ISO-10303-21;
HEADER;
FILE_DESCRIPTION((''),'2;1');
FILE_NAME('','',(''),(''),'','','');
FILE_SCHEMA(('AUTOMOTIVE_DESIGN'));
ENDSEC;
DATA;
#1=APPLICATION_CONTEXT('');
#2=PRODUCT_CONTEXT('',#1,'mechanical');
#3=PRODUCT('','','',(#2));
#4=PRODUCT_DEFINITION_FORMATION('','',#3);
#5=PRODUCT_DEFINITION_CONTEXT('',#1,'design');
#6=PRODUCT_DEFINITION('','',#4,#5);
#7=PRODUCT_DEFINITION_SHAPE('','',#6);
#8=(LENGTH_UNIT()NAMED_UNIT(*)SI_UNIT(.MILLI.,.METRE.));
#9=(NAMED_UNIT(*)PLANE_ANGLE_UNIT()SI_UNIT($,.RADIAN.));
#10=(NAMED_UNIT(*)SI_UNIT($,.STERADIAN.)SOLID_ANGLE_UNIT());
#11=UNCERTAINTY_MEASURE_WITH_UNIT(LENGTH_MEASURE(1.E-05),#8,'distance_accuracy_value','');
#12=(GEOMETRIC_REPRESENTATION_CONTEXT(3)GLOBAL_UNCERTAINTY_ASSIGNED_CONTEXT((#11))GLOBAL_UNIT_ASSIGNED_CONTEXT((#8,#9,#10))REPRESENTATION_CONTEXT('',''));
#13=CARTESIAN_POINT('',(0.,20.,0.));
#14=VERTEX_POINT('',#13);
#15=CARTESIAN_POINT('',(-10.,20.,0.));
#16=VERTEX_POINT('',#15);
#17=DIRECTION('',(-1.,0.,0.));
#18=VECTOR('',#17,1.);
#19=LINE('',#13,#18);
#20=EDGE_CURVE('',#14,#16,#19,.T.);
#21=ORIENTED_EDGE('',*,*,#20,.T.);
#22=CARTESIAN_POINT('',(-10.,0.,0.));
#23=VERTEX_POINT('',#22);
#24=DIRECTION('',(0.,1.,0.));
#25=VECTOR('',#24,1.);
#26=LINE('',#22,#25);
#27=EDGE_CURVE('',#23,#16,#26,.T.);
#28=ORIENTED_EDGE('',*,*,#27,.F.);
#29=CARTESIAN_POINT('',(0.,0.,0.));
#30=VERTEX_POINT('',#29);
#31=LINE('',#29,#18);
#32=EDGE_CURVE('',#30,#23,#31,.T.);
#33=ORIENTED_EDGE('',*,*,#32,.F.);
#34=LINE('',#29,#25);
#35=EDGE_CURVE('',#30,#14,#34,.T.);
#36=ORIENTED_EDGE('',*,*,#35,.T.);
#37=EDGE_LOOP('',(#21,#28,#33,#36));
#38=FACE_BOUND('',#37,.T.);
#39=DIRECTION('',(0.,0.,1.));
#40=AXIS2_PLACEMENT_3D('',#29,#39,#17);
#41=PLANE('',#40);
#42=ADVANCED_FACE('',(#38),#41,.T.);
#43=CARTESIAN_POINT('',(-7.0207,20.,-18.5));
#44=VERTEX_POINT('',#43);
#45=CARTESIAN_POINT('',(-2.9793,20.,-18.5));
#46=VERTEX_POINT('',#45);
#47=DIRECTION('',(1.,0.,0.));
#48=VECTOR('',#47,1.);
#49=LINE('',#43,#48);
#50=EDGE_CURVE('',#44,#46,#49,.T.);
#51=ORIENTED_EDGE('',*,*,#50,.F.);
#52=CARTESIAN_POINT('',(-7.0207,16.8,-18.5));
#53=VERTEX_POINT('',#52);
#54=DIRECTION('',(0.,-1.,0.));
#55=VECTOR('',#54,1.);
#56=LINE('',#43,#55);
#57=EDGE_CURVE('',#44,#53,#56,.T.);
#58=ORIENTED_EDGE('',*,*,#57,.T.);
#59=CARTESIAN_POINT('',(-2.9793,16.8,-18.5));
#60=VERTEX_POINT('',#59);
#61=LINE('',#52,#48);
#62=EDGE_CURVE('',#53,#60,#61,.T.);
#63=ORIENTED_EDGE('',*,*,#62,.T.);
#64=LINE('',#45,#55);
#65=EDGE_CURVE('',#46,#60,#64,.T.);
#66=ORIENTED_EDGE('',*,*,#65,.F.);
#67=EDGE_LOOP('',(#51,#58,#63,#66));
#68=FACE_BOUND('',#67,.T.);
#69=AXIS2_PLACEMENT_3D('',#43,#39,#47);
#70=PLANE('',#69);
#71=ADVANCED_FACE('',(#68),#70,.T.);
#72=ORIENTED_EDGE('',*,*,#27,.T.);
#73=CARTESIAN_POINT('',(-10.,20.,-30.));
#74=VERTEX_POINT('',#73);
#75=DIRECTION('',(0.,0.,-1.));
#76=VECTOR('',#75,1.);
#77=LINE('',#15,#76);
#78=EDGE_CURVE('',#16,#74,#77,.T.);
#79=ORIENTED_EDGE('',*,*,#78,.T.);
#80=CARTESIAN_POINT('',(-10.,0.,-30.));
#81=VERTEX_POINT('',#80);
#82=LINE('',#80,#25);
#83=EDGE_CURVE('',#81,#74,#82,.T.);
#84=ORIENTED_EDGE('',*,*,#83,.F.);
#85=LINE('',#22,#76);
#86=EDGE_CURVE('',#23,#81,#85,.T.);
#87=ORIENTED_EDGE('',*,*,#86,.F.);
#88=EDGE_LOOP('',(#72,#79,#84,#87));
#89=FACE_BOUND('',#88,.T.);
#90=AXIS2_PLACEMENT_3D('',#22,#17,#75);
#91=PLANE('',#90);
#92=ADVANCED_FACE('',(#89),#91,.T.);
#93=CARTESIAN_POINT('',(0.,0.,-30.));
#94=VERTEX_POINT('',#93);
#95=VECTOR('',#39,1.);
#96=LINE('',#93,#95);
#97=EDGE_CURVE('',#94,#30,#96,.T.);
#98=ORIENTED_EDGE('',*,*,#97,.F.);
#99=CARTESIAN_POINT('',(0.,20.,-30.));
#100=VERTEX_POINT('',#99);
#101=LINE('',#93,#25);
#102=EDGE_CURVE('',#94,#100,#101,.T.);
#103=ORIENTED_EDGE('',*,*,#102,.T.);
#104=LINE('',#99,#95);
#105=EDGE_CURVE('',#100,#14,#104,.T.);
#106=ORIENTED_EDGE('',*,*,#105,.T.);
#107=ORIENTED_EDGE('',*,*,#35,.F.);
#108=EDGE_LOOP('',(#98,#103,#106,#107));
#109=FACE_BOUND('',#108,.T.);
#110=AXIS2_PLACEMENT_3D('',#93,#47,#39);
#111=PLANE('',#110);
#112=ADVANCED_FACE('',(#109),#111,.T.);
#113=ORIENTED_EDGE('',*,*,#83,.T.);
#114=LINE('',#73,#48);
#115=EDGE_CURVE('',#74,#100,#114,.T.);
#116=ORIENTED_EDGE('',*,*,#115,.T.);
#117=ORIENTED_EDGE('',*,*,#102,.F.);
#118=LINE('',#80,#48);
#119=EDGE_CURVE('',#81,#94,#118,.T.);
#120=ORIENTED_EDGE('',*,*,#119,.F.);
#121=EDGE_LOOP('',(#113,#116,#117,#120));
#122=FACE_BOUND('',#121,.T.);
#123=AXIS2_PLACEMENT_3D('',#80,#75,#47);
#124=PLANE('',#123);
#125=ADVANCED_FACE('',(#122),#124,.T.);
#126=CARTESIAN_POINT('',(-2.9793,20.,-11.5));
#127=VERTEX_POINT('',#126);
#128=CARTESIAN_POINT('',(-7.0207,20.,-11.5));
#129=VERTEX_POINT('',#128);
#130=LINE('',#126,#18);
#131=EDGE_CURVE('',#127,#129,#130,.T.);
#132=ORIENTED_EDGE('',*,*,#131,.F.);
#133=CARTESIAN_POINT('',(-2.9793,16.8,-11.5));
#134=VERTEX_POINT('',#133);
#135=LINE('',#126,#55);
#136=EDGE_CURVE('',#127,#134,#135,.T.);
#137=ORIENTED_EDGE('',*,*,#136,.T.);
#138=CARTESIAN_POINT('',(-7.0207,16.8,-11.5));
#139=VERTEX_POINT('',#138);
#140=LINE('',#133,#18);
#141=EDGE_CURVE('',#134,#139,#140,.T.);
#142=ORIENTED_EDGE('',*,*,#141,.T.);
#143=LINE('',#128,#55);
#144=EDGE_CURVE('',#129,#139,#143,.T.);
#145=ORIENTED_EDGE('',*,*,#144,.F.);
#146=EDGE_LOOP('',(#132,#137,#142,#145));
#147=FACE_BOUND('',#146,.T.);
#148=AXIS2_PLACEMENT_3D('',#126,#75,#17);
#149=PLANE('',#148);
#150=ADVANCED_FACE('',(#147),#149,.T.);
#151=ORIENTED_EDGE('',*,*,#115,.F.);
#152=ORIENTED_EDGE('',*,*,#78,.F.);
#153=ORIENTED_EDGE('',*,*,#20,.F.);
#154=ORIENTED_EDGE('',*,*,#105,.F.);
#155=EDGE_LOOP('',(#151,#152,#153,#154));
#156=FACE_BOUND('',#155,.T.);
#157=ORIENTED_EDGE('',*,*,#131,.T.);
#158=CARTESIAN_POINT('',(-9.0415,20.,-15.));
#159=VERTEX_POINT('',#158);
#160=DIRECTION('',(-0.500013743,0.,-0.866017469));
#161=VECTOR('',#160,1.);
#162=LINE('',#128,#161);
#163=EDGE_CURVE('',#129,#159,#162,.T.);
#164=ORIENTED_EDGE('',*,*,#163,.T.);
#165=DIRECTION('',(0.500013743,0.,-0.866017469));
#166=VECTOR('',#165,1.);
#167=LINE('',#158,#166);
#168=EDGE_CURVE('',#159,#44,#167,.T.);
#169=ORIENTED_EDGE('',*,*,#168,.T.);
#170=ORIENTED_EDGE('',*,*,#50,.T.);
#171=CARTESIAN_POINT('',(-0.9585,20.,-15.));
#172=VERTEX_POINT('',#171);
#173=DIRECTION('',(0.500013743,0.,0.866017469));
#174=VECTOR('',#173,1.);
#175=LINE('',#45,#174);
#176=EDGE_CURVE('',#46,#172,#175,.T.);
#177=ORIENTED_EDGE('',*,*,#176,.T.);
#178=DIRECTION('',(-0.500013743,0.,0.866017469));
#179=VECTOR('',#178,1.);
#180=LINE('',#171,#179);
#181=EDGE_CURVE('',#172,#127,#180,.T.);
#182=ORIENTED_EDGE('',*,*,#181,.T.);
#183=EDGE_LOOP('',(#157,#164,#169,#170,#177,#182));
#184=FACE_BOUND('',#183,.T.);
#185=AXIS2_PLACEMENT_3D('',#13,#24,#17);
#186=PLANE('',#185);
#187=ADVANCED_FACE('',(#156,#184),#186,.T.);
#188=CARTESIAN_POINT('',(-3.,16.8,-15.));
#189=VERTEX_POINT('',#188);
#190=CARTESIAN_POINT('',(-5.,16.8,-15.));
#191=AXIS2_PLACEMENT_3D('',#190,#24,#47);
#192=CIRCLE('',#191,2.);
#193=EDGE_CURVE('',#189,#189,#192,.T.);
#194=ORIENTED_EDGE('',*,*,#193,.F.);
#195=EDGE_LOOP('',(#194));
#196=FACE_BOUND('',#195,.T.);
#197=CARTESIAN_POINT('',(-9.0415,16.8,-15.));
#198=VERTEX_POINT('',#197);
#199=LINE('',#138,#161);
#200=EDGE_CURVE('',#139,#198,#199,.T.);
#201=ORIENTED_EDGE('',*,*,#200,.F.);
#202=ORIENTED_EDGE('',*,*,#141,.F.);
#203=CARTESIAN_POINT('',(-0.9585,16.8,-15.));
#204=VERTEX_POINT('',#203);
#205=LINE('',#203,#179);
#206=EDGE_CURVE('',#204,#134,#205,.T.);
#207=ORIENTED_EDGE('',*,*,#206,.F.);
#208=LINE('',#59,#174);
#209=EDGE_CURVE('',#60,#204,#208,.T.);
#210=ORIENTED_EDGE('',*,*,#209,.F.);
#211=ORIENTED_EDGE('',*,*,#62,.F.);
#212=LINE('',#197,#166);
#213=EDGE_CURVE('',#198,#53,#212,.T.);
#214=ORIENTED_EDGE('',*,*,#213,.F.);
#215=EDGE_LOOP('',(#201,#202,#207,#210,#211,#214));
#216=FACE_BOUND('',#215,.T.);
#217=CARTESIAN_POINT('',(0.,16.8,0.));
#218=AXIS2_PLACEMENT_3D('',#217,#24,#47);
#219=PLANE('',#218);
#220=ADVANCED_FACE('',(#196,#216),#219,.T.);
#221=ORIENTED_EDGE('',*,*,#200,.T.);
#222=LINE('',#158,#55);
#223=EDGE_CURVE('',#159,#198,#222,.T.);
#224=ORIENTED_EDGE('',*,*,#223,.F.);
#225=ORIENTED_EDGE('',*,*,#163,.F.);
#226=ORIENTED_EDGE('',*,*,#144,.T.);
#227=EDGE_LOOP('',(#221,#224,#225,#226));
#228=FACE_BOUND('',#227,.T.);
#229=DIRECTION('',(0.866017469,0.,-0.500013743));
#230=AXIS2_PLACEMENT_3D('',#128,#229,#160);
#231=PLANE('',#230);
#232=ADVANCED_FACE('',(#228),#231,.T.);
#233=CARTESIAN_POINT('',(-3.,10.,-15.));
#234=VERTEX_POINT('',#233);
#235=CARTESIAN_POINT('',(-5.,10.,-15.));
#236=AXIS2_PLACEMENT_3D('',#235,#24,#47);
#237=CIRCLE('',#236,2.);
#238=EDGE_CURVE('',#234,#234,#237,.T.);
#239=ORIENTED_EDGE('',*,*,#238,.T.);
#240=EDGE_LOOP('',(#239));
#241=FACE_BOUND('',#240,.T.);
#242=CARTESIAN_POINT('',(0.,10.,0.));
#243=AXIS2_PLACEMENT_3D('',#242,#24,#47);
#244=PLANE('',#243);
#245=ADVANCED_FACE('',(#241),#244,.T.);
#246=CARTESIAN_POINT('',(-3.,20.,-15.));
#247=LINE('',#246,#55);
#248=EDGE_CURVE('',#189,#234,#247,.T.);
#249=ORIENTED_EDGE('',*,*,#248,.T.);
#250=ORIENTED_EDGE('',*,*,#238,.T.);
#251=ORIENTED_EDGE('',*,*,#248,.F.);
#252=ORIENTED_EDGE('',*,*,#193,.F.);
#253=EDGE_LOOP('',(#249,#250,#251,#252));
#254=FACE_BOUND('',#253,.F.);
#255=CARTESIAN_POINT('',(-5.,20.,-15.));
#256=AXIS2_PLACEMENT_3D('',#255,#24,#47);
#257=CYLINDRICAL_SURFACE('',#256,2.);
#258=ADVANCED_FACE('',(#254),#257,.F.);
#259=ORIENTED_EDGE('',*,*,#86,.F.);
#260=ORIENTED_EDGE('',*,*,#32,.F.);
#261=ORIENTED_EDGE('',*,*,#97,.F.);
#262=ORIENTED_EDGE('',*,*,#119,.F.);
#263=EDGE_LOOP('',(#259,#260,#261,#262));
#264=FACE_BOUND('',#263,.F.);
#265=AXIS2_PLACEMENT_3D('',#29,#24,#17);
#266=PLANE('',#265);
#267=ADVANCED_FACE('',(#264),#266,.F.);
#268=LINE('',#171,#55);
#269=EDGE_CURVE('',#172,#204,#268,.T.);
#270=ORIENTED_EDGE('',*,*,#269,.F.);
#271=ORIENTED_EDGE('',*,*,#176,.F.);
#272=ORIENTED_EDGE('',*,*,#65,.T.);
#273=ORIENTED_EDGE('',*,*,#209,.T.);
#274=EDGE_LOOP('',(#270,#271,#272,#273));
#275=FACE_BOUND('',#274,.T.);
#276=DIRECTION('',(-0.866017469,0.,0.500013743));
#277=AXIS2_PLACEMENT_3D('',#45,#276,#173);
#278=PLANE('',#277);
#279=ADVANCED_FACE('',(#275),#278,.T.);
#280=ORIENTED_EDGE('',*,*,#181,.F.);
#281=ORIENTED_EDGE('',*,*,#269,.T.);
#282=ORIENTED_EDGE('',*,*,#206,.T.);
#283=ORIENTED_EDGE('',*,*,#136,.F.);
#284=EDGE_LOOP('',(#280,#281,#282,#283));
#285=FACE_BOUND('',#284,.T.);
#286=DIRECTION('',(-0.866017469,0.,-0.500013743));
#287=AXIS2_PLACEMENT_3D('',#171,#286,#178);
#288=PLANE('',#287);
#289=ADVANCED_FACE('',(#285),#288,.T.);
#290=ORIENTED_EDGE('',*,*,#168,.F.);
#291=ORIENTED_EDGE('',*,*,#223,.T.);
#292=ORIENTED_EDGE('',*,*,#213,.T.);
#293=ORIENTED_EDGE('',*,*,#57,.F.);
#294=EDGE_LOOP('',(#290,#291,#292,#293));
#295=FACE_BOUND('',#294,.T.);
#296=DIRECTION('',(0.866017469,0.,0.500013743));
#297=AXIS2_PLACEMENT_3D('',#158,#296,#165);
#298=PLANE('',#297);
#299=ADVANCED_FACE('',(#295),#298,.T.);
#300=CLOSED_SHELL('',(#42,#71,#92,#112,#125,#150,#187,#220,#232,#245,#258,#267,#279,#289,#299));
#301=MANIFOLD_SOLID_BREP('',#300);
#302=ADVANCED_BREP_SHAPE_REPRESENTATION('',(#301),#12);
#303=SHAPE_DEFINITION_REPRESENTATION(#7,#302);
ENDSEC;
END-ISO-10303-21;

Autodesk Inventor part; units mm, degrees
ref_plane "YZ Plane" through (0, 0, 0) normal (1, 0, 0) x (0, 1, 0)
ref_plane "XZ Plane" through (0, 0, 0) normal (0, 1, 0) x (-1, 0, 0)
ref_plane "XY Plane" through (0, 0, 0) normal (0, 0, 1) x (1, 0, 0)
sketch "Эскиз1" plane through (0, 0, 0) normal (0, 1, 0) x (-1, 0, 0)
  line L0 (0, 0) -> (10, 0)
  line L1 (10, 0) -> (10, -30)
  line L2 (10, -30) -> (0, -30)
  line L3 (0, -30) -> (0, 0)
  dimension "d0" = 10
  dimension "d1" = 30
extrude "Выдавливание1" add sketch "Эскиз1" along normal blind 20
sketch "Эскиз2" plane through (0, 20, 0) normal (0, 1, 0) x (1, 0, 0)
  line L0 (-7.0207, 11.5) -> (-9.0415, 15)
  line L1 (-9.0415, 15) -> (-7.0207, 18.5)
  line L2 (-7.0207, 18.5) -> (-2.9793, 18.5)
  line L3 (-2.9793, 18.5) -> (-0.9585, 15)
  line L4 (-0.9585, 15) -> (-2.9793, 11.5)
  line L5 (-2.9793, 11.5) -> (-7.0207, 11.5)
  line L6 (-10, 30) -> (-10, 0) projected
  line L7 (0, 30) -> (-10, 30) projected
  point P0 (0, 0)
  point P1 (-5, 15)
  point P2 (-10, 15)
  point P3 (-5, 30)
  dimension "d4" = 3.5
sketch "Эскиз3" plane through (0, 20, 0) normal (0, 1, 0) x (1, 0, 0)
  circle A0 centre (-5, 15) radius 2
  point P0 (0, 0)
  dimension "d5" = 4
extrude "Выдавливание2" cut sketch "Эскиз3" against normal blind 10
extrude "Выдавливание3" cut sketch "Эскиз2" against normal blind 3.2
properties part number "FlanecPodGayku"
